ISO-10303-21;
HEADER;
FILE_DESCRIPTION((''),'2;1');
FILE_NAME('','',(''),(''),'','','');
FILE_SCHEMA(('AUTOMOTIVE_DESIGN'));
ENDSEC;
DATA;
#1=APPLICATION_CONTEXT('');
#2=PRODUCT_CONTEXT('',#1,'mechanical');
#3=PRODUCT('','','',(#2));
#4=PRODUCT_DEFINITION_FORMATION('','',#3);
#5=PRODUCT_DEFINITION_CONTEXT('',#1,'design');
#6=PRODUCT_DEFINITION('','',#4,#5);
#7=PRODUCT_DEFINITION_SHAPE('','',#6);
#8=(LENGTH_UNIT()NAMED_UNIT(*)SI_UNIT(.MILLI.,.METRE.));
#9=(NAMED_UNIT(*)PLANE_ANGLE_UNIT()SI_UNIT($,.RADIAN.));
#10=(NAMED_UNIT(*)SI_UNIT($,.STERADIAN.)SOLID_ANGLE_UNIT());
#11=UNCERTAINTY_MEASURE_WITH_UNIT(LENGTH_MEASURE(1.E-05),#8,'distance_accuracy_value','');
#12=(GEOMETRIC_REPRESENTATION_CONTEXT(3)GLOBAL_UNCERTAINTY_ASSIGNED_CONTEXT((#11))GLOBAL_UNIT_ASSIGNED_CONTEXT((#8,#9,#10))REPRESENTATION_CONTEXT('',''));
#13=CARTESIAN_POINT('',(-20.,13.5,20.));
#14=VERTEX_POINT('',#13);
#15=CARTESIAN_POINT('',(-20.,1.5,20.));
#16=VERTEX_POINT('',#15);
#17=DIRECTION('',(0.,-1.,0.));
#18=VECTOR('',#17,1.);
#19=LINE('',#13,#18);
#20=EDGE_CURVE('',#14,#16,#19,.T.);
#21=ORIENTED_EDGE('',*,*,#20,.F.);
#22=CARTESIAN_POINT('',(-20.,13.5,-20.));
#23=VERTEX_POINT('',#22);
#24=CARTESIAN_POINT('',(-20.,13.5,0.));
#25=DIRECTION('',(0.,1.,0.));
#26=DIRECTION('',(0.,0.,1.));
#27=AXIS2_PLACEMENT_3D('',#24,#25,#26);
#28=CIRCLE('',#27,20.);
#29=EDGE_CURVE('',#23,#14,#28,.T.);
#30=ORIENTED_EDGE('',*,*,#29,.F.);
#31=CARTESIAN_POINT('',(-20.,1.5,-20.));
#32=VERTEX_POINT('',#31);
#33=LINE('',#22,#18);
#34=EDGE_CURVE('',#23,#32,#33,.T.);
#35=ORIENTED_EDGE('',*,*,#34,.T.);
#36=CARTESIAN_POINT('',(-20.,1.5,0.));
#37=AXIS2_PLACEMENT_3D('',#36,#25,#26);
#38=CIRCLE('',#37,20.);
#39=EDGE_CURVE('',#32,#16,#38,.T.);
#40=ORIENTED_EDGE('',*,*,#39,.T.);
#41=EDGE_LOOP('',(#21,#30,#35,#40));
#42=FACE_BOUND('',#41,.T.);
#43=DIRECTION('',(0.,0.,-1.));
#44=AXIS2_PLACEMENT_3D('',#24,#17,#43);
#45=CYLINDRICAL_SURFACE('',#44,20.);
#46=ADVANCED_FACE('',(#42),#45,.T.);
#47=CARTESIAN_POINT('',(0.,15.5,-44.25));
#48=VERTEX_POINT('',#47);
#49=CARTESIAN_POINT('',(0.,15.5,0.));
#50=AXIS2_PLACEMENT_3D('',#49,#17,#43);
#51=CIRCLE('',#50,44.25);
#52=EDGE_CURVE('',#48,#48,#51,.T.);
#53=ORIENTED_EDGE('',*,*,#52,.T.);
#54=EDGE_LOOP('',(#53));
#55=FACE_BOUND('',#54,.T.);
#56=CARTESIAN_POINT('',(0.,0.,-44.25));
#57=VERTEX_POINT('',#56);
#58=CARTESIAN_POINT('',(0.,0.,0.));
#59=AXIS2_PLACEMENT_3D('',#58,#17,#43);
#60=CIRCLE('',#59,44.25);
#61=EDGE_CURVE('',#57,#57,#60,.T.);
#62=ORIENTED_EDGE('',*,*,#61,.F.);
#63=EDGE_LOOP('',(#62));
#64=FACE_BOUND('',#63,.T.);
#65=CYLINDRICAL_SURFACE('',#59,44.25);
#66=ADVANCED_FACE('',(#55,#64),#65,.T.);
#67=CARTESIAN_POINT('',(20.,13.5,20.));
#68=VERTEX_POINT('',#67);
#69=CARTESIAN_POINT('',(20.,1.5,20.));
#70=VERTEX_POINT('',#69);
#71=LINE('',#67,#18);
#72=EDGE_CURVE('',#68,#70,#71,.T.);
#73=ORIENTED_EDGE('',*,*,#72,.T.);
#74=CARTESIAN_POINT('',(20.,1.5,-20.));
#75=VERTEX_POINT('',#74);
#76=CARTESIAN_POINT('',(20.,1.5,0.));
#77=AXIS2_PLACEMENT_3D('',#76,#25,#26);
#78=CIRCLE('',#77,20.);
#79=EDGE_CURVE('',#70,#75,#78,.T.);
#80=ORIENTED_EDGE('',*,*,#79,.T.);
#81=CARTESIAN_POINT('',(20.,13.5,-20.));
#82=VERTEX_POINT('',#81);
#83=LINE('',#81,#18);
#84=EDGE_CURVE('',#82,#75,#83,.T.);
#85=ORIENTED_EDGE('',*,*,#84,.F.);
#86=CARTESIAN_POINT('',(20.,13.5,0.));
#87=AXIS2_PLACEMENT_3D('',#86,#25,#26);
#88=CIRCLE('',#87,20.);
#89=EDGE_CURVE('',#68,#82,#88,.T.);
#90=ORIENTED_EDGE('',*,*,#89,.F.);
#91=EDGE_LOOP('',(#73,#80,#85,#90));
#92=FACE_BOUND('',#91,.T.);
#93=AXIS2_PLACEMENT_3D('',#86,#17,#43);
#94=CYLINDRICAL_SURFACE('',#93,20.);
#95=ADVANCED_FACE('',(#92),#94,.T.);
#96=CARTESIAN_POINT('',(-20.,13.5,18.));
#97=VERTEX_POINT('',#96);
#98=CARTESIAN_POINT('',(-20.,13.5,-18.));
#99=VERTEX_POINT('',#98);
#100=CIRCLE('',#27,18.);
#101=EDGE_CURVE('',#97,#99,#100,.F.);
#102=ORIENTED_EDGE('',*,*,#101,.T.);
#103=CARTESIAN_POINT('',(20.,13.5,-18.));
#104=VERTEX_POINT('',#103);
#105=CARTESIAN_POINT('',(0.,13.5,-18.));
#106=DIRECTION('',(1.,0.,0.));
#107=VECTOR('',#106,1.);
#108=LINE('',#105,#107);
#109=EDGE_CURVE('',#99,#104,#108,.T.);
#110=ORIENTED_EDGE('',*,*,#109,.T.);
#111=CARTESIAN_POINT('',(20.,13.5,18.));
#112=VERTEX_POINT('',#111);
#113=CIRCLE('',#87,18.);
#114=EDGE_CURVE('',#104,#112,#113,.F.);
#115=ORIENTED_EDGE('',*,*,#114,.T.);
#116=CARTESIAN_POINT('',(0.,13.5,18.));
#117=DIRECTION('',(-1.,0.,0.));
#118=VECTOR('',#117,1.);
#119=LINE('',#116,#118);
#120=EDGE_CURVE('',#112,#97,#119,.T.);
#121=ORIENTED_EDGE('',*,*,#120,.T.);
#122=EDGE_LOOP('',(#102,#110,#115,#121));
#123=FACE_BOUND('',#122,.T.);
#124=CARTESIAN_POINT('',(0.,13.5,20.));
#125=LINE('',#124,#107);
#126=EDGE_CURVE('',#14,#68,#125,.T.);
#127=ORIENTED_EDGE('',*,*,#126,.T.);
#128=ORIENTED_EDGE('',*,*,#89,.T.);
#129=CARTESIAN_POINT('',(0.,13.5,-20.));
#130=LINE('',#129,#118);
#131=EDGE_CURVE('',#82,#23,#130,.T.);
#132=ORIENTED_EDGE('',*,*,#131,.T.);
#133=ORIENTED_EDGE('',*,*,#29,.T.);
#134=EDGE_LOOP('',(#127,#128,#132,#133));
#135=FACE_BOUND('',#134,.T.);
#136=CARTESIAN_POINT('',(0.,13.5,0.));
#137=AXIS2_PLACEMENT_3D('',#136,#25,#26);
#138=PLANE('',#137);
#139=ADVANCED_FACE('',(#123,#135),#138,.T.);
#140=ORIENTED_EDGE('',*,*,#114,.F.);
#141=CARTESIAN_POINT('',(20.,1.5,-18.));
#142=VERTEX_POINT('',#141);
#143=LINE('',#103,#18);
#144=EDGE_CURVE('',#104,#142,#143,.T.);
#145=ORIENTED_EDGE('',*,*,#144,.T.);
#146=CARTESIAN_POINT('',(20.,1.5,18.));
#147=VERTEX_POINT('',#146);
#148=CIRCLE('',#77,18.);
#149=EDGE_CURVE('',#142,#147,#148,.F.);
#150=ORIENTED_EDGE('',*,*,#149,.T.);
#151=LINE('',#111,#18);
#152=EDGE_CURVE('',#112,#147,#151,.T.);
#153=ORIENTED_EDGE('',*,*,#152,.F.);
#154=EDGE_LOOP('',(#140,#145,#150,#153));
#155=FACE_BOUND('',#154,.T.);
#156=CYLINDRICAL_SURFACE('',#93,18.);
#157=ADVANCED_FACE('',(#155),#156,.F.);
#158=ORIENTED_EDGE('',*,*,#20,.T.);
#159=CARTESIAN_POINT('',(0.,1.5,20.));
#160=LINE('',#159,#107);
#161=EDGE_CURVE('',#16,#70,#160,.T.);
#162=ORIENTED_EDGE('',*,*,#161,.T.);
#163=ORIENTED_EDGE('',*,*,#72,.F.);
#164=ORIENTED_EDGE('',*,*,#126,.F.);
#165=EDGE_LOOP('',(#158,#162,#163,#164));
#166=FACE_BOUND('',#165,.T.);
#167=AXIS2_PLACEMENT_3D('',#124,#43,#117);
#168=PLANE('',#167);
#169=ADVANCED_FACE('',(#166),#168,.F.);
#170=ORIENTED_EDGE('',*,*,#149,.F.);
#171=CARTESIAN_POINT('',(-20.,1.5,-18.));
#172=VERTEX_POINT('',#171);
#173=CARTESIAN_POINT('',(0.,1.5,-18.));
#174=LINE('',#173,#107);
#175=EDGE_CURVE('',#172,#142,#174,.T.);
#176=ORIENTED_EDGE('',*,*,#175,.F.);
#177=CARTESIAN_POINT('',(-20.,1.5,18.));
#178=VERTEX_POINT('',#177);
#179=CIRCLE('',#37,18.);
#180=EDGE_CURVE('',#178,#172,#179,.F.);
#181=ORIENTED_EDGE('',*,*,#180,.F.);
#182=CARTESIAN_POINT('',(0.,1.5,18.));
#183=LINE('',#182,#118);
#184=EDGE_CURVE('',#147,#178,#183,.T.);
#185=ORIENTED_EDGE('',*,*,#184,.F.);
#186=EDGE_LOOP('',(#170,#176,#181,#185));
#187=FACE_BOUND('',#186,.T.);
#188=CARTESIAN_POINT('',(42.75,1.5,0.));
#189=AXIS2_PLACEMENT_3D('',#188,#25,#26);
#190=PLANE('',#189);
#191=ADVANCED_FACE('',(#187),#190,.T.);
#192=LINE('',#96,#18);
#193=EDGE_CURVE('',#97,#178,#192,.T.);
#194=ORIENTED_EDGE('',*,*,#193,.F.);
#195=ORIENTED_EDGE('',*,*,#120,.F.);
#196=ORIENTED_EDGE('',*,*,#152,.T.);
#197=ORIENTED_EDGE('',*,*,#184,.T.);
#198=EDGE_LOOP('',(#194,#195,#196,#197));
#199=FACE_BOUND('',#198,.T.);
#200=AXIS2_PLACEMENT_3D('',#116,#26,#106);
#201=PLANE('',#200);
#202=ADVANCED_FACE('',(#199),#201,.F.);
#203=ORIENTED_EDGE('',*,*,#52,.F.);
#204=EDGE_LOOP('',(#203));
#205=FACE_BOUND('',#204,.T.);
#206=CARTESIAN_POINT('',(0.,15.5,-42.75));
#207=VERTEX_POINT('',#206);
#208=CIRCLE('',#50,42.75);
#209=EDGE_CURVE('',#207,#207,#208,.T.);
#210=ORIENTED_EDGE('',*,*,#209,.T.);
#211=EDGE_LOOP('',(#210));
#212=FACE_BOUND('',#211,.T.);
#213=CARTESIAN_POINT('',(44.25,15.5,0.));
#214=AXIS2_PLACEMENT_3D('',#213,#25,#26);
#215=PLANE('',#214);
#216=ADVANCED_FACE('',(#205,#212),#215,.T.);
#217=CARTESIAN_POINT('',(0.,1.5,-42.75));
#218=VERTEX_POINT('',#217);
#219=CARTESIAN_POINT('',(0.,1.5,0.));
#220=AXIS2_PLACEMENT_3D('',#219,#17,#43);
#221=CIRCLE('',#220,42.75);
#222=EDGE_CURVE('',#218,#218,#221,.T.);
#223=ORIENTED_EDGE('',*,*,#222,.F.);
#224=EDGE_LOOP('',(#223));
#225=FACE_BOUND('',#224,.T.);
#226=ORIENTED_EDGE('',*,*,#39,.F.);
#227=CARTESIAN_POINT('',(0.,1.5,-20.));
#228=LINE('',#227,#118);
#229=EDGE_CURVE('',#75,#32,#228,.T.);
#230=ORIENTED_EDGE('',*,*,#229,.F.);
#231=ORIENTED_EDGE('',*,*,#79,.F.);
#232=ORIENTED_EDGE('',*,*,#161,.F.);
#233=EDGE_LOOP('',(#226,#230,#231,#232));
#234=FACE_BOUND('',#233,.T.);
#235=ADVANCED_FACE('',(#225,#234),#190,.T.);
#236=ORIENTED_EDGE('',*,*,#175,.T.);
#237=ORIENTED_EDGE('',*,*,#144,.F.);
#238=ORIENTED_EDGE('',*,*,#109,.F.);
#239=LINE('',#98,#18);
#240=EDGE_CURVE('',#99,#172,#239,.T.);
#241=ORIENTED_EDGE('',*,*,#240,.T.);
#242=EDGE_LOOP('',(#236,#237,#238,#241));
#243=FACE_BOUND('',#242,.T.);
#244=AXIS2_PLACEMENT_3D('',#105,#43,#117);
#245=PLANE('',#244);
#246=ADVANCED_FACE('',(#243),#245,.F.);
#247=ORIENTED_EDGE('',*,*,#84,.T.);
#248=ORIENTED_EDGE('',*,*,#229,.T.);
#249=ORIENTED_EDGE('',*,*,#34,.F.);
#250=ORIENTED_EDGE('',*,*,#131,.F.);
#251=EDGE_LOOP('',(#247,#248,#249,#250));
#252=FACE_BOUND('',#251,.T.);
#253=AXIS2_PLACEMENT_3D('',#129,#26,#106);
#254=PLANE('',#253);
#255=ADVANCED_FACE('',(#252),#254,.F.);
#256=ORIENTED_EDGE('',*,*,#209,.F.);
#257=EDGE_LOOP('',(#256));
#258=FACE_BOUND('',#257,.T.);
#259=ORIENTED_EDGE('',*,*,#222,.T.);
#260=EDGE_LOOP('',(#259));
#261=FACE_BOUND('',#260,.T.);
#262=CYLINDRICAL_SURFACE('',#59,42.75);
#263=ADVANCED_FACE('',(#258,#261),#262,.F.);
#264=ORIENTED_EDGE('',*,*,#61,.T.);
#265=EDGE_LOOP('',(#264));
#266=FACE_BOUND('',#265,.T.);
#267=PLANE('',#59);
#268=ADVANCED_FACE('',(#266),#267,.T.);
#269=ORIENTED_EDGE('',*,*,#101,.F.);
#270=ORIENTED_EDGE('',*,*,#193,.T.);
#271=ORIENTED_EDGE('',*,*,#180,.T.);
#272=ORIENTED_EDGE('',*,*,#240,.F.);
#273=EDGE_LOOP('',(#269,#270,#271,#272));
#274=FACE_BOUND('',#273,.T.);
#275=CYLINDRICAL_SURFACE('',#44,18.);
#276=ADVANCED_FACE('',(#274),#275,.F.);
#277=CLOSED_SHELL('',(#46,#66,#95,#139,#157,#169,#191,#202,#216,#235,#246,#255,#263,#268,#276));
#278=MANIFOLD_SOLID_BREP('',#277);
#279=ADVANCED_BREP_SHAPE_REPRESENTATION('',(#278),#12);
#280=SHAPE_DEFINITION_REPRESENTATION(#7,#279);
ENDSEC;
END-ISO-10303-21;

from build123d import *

# Parameters (mm, degrees)
BOSS_EXTRU_3_DEPTH = 12


with BuildPart() as part:
    # Esquisse1 → Révolution1 (revolve)
    with BuildSketch(Plane.XY, mode=Mode.PRIVATE) as r_volution1_sk:
        Polygon((0, 0), (44.25, 0), (44.25, 15.5), (42.75, 15.5), (42.75, 1.5), (0, 1.5), align=None)
    revolve(r_volution1_sk.sketch.rotate(Axis((0, 0, 0), (0, 1, 0)), 90), axis=Axis((0, 0, 0), (0, 1, 0)))

    # Esquisse4 → Boss.-Extru.3 (add)
    with BuildSketch(Plane(origin=(0, 1.5, 0), x_dir=(1, 0, 0), z_dir=(0, 1, 0))):
        with BuildLine():
            Line((20, 20), (-20, 20))
            ThreePointArc((-20, 20), (-40, 0), (-20, -20))
            Line((-20, -20), (20, -20))
            ThreePointArc((20, -20), (40, 0), (20, 20))
        make_face()
        with BuildLine():
            Line((20, -18), (-20, -18))
            ThreePointArc((-20, -18), (-38, 0), (-20, 18))
            Line((-20, 18), (20, 18))
            ThreePointArc((20, 18), (38, 0), (20, -18))
        make_face(mode=Mode.SUBTRACT)
    extrude(amount=BOSS_EXTRU_3_DEPTH)


solid = part.part
